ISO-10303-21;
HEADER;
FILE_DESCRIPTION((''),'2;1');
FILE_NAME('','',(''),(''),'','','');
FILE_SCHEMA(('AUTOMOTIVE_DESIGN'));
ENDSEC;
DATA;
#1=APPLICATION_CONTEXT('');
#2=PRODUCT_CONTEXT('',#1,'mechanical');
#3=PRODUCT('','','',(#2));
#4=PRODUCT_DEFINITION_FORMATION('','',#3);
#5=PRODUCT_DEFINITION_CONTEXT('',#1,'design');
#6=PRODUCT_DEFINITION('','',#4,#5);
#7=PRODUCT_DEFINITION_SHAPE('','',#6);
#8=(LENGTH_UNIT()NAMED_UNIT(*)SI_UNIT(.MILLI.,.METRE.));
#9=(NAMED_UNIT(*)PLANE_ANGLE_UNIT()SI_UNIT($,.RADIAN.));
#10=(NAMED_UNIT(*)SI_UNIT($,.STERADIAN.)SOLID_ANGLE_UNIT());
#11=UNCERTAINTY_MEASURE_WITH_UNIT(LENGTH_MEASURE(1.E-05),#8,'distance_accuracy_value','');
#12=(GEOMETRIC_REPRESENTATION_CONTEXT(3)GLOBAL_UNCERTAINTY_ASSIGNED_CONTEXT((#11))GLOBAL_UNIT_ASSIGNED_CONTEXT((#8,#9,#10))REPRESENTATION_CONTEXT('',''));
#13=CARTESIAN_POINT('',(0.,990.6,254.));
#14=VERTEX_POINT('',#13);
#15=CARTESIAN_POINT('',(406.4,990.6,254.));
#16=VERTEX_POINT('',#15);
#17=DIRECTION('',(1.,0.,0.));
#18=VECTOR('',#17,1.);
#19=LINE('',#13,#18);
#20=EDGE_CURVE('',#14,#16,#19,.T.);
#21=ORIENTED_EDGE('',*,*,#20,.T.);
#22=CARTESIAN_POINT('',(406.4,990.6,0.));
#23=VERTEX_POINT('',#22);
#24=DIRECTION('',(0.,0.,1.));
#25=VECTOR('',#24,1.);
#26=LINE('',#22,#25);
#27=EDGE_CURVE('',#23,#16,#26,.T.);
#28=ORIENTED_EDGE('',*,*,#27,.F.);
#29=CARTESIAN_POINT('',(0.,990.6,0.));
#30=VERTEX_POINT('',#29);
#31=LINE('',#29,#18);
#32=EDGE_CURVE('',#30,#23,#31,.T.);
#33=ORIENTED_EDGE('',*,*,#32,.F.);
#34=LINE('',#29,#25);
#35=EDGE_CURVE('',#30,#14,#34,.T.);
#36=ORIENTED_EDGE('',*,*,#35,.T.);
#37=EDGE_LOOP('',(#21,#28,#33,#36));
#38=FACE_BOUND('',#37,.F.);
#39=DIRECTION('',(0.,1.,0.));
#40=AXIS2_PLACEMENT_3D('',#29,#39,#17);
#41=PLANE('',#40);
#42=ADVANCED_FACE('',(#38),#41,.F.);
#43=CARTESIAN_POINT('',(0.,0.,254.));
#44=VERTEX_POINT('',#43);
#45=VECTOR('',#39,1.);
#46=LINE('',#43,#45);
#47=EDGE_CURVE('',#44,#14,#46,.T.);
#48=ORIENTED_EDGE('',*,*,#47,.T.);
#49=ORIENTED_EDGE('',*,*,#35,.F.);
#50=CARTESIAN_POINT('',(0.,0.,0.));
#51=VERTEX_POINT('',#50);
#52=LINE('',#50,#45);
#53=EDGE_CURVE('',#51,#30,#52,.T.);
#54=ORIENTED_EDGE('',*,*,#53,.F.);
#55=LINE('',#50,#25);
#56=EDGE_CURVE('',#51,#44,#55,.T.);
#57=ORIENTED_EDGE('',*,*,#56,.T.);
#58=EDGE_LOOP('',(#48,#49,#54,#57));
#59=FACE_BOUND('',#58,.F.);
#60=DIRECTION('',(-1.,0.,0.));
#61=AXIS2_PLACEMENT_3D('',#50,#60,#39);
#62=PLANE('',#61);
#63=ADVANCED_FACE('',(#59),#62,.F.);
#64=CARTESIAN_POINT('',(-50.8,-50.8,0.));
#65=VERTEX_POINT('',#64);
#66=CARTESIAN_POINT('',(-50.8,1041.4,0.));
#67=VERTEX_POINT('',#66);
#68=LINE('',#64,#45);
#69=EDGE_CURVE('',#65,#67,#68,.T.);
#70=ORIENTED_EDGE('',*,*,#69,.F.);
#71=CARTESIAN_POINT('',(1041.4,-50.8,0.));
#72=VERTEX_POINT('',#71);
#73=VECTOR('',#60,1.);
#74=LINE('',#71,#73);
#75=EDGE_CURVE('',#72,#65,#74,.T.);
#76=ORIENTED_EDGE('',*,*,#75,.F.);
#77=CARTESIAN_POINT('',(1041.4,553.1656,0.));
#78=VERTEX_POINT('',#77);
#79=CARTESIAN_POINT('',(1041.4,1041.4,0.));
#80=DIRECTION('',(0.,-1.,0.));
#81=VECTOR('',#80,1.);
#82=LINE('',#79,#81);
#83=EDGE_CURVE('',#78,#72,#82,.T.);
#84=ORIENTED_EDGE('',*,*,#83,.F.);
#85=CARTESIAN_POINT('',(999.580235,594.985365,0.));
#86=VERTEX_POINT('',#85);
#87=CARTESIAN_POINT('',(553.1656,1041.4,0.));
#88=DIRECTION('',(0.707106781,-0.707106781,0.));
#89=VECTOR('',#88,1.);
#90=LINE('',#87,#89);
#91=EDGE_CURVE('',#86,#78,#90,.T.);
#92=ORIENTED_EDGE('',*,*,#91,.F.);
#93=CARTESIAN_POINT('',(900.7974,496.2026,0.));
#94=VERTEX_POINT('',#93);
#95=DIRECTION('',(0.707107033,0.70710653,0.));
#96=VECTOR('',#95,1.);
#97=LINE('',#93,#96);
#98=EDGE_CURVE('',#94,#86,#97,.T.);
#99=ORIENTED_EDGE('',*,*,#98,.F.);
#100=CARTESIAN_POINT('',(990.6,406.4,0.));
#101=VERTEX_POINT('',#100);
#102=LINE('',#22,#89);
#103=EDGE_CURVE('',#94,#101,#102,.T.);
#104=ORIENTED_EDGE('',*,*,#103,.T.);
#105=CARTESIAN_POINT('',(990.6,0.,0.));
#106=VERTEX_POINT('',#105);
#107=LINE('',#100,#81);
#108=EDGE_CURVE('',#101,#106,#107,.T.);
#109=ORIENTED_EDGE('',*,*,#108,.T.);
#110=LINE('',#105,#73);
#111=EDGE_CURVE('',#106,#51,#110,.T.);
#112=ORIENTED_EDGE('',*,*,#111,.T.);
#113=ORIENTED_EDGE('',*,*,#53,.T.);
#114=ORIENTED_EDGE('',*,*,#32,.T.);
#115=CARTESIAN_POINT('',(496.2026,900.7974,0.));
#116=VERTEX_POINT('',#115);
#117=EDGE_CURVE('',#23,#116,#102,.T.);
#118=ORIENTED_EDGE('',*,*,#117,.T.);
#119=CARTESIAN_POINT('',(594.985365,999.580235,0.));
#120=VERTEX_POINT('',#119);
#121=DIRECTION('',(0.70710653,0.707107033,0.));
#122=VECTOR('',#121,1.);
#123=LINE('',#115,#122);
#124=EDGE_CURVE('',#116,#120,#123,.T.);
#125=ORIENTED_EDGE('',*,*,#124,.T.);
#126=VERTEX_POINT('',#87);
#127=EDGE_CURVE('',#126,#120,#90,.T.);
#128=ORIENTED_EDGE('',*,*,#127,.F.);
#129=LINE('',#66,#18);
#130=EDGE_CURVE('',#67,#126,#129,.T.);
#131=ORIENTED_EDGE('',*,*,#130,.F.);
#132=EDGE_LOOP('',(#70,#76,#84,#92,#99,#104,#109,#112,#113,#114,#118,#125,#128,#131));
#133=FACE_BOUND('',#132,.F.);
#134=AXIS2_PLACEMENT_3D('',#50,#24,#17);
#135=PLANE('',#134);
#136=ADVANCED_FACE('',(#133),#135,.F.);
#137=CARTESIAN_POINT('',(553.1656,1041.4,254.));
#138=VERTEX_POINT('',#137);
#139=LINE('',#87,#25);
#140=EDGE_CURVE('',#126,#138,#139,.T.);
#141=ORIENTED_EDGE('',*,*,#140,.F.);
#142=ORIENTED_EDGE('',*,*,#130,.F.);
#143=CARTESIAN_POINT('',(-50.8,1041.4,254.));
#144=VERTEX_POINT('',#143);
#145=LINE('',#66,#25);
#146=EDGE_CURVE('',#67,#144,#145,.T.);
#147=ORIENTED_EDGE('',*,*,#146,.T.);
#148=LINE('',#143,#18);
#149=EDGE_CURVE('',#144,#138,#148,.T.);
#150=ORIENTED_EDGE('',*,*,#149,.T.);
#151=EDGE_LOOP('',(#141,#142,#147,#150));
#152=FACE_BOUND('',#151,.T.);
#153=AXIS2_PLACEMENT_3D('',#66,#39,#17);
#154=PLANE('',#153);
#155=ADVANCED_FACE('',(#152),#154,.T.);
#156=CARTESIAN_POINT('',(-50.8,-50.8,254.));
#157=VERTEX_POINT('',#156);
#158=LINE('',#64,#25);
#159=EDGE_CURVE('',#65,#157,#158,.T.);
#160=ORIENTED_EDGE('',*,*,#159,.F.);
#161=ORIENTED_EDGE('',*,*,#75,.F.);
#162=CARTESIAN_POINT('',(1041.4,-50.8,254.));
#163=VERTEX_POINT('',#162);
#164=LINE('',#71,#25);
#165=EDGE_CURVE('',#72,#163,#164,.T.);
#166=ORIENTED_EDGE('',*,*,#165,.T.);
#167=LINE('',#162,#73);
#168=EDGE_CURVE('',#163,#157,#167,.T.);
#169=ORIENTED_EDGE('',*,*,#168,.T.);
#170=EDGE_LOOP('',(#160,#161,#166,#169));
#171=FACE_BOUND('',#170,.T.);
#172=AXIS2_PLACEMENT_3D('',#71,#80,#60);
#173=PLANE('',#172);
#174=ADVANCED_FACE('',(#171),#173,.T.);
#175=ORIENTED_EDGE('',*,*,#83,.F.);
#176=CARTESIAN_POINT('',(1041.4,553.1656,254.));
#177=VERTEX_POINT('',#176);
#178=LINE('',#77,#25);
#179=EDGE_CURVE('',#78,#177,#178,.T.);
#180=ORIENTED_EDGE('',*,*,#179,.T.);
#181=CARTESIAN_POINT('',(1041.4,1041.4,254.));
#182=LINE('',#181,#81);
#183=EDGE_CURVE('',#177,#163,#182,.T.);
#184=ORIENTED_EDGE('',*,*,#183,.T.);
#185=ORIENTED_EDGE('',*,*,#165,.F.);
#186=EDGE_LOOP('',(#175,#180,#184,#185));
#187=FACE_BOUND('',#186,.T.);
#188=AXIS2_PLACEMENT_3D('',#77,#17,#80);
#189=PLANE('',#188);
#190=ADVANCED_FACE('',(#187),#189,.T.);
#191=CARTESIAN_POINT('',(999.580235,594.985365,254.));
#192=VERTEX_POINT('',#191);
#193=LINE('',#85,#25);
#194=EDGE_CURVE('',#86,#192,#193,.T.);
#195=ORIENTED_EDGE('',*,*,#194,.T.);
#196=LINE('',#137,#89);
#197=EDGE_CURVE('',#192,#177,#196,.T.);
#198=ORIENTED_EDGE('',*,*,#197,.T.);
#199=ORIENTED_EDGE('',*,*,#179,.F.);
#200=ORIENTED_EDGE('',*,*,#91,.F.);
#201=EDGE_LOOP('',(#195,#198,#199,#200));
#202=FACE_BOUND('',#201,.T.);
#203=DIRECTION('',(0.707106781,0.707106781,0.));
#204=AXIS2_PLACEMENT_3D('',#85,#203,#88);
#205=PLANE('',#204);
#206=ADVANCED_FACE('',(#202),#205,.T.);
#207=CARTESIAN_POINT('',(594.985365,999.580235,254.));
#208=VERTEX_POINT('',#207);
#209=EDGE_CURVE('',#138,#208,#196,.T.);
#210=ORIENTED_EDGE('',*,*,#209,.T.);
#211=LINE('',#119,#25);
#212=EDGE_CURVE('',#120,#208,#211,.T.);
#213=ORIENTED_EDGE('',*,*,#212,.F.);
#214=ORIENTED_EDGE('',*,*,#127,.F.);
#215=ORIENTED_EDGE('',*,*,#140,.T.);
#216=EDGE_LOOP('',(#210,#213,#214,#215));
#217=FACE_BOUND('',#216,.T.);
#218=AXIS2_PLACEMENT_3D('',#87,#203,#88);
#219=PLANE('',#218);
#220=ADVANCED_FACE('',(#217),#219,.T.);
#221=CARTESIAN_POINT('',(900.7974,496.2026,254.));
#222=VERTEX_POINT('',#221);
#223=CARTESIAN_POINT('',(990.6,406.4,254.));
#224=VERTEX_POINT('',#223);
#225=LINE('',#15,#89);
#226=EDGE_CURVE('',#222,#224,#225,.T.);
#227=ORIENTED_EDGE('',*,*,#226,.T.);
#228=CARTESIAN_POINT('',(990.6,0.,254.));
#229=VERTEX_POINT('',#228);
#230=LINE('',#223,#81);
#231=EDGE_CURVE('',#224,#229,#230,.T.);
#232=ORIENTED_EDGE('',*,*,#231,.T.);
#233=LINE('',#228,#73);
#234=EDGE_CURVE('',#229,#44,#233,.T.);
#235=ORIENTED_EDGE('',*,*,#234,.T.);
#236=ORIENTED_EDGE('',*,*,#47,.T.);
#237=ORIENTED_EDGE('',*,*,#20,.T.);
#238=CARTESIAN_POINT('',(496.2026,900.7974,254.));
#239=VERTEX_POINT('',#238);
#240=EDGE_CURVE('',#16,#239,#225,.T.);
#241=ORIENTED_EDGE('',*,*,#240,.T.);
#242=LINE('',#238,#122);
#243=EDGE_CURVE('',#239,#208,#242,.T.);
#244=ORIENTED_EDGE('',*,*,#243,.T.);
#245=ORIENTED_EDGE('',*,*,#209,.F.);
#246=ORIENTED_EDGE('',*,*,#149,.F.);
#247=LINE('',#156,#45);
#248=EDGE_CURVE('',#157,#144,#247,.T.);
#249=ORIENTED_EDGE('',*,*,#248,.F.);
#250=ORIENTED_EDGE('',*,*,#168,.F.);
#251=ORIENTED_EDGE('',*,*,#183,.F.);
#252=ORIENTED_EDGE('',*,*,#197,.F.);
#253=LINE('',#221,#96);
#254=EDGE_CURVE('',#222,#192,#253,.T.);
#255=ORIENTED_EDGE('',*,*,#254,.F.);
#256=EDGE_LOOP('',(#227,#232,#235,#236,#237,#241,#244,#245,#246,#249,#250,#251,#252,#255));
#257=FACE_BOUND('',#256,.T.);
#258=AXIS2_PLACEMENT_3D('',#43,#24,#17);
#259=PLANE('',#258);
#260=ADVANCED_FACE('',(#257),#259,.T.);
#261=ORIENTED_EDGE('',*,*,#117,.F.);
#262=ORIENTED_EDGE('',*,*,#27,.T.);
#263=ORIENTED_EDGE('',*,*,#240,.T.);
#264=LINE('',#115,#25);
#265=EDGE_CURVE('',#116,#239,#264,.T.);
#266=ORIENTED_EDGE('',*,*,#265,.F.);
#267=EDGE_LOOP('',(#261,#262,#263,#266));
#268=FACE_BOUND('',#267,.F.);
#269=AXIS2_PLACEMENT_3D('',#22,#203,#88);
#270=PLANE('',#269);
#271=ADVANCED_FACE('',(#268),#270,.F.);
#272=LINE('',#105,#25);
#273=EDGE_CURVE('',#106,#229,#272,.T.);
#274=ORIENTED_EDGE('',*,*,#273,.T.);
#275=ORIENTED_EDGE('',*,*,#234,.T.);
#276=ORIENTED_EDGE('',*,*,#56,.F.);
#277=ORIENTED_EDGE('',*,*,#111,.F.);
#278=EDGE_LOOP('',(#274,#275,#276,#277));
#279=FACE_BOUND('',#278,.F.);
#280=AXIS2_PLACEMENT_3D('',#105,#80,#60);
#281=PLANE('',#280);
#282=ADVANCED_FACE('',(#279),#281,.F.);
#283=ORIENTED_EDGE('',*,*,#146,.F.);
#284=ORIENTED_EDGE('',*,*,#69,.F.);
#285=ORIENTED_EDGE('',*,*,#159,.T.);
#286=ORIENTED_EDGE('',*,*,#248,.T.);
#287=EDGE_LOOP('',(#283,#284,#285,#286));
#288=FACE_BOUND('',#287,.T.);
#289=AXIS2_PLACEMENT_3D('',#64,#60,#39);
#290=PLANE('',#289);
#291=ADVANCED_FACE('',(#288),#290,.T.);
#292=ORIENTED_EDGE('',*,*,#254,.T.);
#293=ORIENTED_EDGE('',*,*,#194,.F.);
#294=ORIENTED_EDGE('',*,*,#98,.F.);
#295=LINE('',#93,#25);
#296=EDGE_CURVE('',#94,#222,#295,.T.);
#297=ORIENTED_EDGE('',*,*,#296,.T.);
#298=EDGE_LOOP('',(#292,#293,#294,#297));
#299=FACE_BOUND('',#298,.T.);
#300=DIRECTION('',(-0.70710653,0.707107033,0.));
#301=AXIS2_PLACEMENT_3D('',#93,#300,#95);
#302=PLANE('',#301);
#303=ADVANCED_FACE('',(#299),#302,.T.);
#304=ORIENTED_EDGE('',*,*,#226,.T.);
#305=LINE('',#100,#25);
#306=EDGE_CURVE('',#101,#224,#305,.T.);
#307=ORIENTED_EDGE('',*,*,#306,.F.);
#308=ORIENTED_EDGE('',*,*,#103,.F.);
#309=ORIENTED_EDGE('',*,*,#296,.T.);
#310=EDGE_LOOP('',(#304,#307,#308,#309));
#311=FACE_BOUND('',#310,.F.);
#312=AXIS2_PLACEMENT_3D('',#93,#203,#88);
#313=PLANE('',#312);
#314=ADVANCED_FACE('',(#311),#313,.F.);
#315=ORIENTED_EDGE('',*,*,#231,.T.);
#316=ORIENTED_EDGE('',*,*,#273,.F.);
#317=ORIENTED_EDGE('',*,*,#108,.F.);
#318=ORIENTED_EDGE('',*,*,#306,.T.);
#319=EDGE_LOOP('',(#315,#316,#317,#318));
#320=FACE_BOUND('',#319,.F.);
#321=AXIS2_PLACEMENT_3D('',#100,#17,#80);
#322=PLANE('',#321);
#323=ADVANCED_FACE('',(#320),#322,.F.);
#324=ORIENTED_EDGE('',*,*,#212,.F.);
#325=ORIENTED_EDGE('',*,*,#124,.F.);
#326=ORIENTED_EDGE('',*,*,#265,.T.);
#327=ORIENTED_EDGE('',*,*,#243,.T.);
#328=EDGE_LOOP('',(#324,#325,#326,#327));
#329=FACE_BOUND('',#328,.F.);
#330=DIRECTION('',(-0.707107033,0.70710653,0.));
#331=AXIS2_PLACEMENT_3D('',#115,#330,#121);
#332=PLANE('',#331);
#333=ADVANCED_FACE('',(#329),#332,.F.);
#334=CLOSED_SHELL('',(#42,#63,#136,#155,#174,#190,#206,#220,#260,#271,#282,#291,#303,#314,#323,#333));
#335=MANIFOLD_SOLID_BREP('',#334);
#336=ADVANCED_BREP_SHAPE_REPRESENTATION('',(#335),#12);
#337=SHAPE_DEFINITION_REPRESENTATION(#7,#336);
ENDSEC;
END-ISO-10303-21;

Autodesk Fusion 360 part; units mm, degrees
sketch "Sketch1" plane through (0, 0, 0) normal (0, 0, 1) x (1, 0, 0)
  line L0 (0, 0) -> (0, 990.6)
  line L1 (0, 990.6) -> (406.4, 990.6)
  line L2 (406.4, 990.6) -> (990.6, 406.4)
  line L3 (990.6, 406.4) -> (990.6, 0)
  line L4 (990.6, 0) -> (0, 0)
  line L5 (-50.8, 1041.4) -> (1041.4, 1041.4)
  line L6 (1041.4, 1041.4) -> (1041.4, -50.8)
  line L7 (1041.4, -50.8) -> (-50.8, -50.8)
  line L8 (-50.8, -50.8) -> (-50.8, 1041.4)
  line L9 (496.2026, 900.7974) -> (636.8051, 1041.4)
  line L10 (900.7974, 496.2026) -> (1041.4, 636.8051)
  line L11 (496.2026, 900.7974) -> (45.8038, 450.3987) construction
  line L12 (45.8038, 450.3987) -> (496.2026, 0) construction
  line L13 (553.1656, 1041.4) -> (1041.4, 553.1656)
  dimension "d1" = 990.6
  dimension "d2" = 990.6
  dimension "d3" = 135
  dimension "d4" = 406.4
  dimension "d5" = 50.8
  dimension "d6" = 50.8
  dimension "d7" = 50.8
  dimension "d8" = 50.8
  dimension "d9" = 127
  dimension "d10" = 127
  dimension "d13" = 139.7
extrude "Extrude1" add sketch "Sketch1" along normal blind 254 contours L0 L1 L2 L3 L4 L5 L6 L7 L8 L9 L10 L13
